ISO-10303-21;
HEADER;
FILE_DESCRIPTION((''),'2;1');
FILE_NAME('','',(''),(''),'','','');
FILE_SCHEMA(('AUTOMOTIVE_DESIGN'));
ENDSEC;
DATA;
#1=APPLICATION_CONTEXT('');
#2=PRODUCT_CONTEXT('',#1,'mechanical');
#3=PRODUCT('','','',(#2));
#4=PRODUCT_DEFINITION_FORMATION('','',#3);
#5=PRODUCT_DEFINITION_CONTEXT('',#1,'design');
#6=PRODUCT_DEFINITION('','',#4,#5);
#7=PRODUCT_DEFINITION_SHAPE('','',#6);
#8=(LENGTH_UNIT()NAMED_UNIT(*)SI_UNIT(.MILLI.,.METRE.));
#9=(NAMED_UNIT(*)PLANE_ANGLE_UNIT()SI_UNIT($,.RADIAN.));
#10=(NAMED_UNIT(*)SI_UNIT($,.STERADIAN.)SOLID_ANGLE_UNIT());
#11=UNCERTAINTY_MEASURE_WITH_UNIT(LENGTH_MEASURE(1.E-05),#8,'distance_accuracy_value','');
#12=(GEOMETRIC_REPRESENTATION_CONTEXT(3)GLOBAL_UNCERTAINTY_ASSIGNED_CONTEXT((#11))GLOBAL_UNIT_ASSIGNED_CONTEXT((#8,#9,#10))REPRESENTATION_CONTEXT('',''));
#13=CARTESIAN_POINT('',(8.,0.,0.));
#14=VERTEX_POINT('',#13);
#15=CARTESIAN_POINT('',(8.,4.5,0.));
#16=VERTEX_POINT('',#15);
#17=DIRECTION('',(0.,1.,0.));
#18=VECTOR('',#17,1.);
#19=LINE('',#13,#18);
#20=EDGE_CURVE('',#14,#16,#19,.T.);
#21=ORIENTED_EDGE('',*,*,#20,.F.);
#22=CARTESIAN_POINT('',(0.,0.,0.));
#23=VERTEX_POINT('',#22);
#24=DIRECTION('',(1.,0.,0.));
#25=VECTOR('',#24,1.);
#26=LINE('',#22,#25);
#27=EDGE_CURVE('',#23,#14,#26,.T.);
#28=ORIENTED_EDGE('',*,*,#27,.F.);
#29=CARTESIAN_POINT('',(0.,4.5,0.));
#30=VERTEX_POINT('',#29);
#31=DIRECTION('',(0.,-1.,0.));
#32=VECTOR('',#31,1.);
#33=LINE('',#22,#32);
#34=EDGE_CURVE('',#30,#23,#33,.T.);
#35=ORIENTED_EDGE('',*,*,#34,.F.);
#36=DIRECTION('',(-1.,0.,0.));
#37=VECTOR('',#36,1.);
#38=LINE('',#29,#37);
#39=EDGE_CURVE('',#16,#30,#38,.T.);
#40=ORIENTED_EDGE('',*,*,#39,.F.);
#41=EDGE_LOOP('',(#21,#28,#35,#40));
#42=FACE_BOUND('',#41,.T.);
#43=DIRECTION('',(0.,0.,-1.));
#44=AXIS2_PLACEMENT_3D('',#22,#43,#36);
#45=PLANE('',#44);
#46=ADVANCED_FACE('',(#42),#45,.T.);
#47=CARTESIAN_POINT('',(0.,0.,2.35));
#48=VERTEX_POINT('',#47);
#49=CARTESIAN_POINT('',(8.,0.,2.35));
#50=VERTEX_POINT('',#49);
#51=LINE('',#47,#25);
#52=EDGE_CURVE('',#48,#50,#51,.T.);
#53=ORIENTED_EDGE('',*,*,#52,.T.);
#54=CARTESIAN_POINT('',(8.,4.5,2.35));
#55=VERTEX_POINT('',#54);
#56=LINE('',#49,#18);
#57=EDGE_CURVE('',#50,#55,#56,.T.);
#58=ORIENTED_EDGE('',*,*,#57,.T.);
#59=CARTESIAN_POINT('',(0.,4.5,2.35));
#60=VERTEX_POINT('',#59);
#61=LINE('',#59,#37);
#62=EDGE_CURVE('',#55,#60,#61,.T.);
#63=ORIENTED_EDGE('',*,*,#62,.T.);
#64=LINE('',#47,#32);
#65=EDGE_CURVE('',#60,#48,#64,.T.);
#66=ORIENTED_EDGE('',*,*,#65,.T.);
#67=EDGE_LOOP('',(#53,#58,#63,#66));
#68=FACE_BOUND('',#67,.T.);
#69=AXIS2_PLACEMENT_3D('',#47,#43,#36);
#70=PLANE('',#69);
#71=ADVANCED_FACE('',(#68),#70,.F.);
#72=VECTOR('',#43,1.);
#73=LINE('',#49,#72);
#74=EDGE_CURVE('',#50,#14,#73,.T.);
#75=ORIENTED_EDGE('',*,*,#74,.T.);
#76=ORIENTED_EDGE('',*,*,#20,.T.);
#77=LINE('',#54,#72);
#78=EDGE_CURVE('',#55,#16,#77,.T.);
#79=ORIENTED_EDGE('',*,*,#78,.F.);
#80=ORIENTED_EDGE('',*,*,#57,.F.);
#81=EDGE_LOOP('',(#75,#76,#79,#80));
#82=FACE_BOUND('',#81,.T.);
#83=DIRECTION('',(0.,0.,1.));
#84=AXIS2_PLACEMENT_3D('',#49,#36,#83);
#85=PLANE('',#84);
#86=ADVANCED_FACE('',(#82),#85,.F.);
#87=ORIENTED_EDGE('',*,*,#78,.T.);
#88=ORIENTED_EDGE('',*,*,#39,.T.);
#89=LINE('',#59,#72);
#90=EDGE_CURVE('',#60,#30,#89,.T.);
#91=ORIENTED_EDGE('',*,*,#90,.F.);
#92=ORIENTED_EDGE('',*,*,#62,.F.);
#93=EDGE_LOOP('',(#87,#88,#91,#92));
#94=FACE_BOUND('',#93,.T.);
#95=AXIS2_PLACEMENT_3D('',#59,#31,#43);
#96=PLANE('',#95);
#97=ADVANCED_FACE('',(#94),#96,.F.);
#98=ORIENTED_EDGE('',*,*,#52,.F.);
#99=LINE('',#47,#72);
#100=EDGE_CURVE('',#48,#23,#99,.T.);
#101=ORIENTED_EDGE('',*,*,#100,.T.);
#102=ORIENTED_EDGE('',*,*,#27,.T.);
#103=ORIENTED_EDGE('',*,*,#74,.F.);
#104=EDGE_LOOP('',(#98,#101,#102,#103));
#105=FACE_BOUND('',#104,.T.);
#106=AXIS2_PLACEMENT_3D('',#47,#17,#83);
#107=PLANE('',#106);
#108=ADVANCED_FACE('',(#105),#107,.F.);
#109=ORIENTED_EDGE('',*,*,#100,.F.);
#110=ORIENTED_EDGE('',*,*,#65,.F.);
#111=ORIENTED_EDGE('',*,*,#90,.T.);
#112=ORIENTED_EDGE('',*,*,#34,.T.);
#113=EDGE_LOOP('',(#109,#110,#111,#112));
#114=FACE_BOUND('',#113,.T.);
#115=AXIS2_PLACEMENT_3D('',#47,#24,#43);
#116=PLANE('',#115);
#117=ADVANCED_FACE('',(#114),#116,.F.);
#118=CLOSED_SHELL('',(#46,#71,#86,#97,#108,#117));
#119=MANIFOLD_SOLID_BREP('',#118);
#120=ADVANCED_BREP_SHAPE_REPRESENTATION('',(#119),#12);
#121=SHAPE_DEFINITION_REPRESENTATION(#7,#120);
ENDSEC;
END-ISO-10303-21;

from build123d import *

# Parameters (mm, degrees)
SKETCH_1_W      = 8
SKETCH_1_H      = 4.5
EXTRUDE_1_DEPTH = 2.35


with BuildPart() as part:
    # 草图1 → 凸台-拉伸1 (new body)
    with BuildSketch(Plane.XY):
        with Locations((4, 2.25)):
            Rectangle(SKETCH_1_W, SKETCH_1_H)
    extrude(amount=EXTRUDE_1_DEPTH)


solid = part.part
